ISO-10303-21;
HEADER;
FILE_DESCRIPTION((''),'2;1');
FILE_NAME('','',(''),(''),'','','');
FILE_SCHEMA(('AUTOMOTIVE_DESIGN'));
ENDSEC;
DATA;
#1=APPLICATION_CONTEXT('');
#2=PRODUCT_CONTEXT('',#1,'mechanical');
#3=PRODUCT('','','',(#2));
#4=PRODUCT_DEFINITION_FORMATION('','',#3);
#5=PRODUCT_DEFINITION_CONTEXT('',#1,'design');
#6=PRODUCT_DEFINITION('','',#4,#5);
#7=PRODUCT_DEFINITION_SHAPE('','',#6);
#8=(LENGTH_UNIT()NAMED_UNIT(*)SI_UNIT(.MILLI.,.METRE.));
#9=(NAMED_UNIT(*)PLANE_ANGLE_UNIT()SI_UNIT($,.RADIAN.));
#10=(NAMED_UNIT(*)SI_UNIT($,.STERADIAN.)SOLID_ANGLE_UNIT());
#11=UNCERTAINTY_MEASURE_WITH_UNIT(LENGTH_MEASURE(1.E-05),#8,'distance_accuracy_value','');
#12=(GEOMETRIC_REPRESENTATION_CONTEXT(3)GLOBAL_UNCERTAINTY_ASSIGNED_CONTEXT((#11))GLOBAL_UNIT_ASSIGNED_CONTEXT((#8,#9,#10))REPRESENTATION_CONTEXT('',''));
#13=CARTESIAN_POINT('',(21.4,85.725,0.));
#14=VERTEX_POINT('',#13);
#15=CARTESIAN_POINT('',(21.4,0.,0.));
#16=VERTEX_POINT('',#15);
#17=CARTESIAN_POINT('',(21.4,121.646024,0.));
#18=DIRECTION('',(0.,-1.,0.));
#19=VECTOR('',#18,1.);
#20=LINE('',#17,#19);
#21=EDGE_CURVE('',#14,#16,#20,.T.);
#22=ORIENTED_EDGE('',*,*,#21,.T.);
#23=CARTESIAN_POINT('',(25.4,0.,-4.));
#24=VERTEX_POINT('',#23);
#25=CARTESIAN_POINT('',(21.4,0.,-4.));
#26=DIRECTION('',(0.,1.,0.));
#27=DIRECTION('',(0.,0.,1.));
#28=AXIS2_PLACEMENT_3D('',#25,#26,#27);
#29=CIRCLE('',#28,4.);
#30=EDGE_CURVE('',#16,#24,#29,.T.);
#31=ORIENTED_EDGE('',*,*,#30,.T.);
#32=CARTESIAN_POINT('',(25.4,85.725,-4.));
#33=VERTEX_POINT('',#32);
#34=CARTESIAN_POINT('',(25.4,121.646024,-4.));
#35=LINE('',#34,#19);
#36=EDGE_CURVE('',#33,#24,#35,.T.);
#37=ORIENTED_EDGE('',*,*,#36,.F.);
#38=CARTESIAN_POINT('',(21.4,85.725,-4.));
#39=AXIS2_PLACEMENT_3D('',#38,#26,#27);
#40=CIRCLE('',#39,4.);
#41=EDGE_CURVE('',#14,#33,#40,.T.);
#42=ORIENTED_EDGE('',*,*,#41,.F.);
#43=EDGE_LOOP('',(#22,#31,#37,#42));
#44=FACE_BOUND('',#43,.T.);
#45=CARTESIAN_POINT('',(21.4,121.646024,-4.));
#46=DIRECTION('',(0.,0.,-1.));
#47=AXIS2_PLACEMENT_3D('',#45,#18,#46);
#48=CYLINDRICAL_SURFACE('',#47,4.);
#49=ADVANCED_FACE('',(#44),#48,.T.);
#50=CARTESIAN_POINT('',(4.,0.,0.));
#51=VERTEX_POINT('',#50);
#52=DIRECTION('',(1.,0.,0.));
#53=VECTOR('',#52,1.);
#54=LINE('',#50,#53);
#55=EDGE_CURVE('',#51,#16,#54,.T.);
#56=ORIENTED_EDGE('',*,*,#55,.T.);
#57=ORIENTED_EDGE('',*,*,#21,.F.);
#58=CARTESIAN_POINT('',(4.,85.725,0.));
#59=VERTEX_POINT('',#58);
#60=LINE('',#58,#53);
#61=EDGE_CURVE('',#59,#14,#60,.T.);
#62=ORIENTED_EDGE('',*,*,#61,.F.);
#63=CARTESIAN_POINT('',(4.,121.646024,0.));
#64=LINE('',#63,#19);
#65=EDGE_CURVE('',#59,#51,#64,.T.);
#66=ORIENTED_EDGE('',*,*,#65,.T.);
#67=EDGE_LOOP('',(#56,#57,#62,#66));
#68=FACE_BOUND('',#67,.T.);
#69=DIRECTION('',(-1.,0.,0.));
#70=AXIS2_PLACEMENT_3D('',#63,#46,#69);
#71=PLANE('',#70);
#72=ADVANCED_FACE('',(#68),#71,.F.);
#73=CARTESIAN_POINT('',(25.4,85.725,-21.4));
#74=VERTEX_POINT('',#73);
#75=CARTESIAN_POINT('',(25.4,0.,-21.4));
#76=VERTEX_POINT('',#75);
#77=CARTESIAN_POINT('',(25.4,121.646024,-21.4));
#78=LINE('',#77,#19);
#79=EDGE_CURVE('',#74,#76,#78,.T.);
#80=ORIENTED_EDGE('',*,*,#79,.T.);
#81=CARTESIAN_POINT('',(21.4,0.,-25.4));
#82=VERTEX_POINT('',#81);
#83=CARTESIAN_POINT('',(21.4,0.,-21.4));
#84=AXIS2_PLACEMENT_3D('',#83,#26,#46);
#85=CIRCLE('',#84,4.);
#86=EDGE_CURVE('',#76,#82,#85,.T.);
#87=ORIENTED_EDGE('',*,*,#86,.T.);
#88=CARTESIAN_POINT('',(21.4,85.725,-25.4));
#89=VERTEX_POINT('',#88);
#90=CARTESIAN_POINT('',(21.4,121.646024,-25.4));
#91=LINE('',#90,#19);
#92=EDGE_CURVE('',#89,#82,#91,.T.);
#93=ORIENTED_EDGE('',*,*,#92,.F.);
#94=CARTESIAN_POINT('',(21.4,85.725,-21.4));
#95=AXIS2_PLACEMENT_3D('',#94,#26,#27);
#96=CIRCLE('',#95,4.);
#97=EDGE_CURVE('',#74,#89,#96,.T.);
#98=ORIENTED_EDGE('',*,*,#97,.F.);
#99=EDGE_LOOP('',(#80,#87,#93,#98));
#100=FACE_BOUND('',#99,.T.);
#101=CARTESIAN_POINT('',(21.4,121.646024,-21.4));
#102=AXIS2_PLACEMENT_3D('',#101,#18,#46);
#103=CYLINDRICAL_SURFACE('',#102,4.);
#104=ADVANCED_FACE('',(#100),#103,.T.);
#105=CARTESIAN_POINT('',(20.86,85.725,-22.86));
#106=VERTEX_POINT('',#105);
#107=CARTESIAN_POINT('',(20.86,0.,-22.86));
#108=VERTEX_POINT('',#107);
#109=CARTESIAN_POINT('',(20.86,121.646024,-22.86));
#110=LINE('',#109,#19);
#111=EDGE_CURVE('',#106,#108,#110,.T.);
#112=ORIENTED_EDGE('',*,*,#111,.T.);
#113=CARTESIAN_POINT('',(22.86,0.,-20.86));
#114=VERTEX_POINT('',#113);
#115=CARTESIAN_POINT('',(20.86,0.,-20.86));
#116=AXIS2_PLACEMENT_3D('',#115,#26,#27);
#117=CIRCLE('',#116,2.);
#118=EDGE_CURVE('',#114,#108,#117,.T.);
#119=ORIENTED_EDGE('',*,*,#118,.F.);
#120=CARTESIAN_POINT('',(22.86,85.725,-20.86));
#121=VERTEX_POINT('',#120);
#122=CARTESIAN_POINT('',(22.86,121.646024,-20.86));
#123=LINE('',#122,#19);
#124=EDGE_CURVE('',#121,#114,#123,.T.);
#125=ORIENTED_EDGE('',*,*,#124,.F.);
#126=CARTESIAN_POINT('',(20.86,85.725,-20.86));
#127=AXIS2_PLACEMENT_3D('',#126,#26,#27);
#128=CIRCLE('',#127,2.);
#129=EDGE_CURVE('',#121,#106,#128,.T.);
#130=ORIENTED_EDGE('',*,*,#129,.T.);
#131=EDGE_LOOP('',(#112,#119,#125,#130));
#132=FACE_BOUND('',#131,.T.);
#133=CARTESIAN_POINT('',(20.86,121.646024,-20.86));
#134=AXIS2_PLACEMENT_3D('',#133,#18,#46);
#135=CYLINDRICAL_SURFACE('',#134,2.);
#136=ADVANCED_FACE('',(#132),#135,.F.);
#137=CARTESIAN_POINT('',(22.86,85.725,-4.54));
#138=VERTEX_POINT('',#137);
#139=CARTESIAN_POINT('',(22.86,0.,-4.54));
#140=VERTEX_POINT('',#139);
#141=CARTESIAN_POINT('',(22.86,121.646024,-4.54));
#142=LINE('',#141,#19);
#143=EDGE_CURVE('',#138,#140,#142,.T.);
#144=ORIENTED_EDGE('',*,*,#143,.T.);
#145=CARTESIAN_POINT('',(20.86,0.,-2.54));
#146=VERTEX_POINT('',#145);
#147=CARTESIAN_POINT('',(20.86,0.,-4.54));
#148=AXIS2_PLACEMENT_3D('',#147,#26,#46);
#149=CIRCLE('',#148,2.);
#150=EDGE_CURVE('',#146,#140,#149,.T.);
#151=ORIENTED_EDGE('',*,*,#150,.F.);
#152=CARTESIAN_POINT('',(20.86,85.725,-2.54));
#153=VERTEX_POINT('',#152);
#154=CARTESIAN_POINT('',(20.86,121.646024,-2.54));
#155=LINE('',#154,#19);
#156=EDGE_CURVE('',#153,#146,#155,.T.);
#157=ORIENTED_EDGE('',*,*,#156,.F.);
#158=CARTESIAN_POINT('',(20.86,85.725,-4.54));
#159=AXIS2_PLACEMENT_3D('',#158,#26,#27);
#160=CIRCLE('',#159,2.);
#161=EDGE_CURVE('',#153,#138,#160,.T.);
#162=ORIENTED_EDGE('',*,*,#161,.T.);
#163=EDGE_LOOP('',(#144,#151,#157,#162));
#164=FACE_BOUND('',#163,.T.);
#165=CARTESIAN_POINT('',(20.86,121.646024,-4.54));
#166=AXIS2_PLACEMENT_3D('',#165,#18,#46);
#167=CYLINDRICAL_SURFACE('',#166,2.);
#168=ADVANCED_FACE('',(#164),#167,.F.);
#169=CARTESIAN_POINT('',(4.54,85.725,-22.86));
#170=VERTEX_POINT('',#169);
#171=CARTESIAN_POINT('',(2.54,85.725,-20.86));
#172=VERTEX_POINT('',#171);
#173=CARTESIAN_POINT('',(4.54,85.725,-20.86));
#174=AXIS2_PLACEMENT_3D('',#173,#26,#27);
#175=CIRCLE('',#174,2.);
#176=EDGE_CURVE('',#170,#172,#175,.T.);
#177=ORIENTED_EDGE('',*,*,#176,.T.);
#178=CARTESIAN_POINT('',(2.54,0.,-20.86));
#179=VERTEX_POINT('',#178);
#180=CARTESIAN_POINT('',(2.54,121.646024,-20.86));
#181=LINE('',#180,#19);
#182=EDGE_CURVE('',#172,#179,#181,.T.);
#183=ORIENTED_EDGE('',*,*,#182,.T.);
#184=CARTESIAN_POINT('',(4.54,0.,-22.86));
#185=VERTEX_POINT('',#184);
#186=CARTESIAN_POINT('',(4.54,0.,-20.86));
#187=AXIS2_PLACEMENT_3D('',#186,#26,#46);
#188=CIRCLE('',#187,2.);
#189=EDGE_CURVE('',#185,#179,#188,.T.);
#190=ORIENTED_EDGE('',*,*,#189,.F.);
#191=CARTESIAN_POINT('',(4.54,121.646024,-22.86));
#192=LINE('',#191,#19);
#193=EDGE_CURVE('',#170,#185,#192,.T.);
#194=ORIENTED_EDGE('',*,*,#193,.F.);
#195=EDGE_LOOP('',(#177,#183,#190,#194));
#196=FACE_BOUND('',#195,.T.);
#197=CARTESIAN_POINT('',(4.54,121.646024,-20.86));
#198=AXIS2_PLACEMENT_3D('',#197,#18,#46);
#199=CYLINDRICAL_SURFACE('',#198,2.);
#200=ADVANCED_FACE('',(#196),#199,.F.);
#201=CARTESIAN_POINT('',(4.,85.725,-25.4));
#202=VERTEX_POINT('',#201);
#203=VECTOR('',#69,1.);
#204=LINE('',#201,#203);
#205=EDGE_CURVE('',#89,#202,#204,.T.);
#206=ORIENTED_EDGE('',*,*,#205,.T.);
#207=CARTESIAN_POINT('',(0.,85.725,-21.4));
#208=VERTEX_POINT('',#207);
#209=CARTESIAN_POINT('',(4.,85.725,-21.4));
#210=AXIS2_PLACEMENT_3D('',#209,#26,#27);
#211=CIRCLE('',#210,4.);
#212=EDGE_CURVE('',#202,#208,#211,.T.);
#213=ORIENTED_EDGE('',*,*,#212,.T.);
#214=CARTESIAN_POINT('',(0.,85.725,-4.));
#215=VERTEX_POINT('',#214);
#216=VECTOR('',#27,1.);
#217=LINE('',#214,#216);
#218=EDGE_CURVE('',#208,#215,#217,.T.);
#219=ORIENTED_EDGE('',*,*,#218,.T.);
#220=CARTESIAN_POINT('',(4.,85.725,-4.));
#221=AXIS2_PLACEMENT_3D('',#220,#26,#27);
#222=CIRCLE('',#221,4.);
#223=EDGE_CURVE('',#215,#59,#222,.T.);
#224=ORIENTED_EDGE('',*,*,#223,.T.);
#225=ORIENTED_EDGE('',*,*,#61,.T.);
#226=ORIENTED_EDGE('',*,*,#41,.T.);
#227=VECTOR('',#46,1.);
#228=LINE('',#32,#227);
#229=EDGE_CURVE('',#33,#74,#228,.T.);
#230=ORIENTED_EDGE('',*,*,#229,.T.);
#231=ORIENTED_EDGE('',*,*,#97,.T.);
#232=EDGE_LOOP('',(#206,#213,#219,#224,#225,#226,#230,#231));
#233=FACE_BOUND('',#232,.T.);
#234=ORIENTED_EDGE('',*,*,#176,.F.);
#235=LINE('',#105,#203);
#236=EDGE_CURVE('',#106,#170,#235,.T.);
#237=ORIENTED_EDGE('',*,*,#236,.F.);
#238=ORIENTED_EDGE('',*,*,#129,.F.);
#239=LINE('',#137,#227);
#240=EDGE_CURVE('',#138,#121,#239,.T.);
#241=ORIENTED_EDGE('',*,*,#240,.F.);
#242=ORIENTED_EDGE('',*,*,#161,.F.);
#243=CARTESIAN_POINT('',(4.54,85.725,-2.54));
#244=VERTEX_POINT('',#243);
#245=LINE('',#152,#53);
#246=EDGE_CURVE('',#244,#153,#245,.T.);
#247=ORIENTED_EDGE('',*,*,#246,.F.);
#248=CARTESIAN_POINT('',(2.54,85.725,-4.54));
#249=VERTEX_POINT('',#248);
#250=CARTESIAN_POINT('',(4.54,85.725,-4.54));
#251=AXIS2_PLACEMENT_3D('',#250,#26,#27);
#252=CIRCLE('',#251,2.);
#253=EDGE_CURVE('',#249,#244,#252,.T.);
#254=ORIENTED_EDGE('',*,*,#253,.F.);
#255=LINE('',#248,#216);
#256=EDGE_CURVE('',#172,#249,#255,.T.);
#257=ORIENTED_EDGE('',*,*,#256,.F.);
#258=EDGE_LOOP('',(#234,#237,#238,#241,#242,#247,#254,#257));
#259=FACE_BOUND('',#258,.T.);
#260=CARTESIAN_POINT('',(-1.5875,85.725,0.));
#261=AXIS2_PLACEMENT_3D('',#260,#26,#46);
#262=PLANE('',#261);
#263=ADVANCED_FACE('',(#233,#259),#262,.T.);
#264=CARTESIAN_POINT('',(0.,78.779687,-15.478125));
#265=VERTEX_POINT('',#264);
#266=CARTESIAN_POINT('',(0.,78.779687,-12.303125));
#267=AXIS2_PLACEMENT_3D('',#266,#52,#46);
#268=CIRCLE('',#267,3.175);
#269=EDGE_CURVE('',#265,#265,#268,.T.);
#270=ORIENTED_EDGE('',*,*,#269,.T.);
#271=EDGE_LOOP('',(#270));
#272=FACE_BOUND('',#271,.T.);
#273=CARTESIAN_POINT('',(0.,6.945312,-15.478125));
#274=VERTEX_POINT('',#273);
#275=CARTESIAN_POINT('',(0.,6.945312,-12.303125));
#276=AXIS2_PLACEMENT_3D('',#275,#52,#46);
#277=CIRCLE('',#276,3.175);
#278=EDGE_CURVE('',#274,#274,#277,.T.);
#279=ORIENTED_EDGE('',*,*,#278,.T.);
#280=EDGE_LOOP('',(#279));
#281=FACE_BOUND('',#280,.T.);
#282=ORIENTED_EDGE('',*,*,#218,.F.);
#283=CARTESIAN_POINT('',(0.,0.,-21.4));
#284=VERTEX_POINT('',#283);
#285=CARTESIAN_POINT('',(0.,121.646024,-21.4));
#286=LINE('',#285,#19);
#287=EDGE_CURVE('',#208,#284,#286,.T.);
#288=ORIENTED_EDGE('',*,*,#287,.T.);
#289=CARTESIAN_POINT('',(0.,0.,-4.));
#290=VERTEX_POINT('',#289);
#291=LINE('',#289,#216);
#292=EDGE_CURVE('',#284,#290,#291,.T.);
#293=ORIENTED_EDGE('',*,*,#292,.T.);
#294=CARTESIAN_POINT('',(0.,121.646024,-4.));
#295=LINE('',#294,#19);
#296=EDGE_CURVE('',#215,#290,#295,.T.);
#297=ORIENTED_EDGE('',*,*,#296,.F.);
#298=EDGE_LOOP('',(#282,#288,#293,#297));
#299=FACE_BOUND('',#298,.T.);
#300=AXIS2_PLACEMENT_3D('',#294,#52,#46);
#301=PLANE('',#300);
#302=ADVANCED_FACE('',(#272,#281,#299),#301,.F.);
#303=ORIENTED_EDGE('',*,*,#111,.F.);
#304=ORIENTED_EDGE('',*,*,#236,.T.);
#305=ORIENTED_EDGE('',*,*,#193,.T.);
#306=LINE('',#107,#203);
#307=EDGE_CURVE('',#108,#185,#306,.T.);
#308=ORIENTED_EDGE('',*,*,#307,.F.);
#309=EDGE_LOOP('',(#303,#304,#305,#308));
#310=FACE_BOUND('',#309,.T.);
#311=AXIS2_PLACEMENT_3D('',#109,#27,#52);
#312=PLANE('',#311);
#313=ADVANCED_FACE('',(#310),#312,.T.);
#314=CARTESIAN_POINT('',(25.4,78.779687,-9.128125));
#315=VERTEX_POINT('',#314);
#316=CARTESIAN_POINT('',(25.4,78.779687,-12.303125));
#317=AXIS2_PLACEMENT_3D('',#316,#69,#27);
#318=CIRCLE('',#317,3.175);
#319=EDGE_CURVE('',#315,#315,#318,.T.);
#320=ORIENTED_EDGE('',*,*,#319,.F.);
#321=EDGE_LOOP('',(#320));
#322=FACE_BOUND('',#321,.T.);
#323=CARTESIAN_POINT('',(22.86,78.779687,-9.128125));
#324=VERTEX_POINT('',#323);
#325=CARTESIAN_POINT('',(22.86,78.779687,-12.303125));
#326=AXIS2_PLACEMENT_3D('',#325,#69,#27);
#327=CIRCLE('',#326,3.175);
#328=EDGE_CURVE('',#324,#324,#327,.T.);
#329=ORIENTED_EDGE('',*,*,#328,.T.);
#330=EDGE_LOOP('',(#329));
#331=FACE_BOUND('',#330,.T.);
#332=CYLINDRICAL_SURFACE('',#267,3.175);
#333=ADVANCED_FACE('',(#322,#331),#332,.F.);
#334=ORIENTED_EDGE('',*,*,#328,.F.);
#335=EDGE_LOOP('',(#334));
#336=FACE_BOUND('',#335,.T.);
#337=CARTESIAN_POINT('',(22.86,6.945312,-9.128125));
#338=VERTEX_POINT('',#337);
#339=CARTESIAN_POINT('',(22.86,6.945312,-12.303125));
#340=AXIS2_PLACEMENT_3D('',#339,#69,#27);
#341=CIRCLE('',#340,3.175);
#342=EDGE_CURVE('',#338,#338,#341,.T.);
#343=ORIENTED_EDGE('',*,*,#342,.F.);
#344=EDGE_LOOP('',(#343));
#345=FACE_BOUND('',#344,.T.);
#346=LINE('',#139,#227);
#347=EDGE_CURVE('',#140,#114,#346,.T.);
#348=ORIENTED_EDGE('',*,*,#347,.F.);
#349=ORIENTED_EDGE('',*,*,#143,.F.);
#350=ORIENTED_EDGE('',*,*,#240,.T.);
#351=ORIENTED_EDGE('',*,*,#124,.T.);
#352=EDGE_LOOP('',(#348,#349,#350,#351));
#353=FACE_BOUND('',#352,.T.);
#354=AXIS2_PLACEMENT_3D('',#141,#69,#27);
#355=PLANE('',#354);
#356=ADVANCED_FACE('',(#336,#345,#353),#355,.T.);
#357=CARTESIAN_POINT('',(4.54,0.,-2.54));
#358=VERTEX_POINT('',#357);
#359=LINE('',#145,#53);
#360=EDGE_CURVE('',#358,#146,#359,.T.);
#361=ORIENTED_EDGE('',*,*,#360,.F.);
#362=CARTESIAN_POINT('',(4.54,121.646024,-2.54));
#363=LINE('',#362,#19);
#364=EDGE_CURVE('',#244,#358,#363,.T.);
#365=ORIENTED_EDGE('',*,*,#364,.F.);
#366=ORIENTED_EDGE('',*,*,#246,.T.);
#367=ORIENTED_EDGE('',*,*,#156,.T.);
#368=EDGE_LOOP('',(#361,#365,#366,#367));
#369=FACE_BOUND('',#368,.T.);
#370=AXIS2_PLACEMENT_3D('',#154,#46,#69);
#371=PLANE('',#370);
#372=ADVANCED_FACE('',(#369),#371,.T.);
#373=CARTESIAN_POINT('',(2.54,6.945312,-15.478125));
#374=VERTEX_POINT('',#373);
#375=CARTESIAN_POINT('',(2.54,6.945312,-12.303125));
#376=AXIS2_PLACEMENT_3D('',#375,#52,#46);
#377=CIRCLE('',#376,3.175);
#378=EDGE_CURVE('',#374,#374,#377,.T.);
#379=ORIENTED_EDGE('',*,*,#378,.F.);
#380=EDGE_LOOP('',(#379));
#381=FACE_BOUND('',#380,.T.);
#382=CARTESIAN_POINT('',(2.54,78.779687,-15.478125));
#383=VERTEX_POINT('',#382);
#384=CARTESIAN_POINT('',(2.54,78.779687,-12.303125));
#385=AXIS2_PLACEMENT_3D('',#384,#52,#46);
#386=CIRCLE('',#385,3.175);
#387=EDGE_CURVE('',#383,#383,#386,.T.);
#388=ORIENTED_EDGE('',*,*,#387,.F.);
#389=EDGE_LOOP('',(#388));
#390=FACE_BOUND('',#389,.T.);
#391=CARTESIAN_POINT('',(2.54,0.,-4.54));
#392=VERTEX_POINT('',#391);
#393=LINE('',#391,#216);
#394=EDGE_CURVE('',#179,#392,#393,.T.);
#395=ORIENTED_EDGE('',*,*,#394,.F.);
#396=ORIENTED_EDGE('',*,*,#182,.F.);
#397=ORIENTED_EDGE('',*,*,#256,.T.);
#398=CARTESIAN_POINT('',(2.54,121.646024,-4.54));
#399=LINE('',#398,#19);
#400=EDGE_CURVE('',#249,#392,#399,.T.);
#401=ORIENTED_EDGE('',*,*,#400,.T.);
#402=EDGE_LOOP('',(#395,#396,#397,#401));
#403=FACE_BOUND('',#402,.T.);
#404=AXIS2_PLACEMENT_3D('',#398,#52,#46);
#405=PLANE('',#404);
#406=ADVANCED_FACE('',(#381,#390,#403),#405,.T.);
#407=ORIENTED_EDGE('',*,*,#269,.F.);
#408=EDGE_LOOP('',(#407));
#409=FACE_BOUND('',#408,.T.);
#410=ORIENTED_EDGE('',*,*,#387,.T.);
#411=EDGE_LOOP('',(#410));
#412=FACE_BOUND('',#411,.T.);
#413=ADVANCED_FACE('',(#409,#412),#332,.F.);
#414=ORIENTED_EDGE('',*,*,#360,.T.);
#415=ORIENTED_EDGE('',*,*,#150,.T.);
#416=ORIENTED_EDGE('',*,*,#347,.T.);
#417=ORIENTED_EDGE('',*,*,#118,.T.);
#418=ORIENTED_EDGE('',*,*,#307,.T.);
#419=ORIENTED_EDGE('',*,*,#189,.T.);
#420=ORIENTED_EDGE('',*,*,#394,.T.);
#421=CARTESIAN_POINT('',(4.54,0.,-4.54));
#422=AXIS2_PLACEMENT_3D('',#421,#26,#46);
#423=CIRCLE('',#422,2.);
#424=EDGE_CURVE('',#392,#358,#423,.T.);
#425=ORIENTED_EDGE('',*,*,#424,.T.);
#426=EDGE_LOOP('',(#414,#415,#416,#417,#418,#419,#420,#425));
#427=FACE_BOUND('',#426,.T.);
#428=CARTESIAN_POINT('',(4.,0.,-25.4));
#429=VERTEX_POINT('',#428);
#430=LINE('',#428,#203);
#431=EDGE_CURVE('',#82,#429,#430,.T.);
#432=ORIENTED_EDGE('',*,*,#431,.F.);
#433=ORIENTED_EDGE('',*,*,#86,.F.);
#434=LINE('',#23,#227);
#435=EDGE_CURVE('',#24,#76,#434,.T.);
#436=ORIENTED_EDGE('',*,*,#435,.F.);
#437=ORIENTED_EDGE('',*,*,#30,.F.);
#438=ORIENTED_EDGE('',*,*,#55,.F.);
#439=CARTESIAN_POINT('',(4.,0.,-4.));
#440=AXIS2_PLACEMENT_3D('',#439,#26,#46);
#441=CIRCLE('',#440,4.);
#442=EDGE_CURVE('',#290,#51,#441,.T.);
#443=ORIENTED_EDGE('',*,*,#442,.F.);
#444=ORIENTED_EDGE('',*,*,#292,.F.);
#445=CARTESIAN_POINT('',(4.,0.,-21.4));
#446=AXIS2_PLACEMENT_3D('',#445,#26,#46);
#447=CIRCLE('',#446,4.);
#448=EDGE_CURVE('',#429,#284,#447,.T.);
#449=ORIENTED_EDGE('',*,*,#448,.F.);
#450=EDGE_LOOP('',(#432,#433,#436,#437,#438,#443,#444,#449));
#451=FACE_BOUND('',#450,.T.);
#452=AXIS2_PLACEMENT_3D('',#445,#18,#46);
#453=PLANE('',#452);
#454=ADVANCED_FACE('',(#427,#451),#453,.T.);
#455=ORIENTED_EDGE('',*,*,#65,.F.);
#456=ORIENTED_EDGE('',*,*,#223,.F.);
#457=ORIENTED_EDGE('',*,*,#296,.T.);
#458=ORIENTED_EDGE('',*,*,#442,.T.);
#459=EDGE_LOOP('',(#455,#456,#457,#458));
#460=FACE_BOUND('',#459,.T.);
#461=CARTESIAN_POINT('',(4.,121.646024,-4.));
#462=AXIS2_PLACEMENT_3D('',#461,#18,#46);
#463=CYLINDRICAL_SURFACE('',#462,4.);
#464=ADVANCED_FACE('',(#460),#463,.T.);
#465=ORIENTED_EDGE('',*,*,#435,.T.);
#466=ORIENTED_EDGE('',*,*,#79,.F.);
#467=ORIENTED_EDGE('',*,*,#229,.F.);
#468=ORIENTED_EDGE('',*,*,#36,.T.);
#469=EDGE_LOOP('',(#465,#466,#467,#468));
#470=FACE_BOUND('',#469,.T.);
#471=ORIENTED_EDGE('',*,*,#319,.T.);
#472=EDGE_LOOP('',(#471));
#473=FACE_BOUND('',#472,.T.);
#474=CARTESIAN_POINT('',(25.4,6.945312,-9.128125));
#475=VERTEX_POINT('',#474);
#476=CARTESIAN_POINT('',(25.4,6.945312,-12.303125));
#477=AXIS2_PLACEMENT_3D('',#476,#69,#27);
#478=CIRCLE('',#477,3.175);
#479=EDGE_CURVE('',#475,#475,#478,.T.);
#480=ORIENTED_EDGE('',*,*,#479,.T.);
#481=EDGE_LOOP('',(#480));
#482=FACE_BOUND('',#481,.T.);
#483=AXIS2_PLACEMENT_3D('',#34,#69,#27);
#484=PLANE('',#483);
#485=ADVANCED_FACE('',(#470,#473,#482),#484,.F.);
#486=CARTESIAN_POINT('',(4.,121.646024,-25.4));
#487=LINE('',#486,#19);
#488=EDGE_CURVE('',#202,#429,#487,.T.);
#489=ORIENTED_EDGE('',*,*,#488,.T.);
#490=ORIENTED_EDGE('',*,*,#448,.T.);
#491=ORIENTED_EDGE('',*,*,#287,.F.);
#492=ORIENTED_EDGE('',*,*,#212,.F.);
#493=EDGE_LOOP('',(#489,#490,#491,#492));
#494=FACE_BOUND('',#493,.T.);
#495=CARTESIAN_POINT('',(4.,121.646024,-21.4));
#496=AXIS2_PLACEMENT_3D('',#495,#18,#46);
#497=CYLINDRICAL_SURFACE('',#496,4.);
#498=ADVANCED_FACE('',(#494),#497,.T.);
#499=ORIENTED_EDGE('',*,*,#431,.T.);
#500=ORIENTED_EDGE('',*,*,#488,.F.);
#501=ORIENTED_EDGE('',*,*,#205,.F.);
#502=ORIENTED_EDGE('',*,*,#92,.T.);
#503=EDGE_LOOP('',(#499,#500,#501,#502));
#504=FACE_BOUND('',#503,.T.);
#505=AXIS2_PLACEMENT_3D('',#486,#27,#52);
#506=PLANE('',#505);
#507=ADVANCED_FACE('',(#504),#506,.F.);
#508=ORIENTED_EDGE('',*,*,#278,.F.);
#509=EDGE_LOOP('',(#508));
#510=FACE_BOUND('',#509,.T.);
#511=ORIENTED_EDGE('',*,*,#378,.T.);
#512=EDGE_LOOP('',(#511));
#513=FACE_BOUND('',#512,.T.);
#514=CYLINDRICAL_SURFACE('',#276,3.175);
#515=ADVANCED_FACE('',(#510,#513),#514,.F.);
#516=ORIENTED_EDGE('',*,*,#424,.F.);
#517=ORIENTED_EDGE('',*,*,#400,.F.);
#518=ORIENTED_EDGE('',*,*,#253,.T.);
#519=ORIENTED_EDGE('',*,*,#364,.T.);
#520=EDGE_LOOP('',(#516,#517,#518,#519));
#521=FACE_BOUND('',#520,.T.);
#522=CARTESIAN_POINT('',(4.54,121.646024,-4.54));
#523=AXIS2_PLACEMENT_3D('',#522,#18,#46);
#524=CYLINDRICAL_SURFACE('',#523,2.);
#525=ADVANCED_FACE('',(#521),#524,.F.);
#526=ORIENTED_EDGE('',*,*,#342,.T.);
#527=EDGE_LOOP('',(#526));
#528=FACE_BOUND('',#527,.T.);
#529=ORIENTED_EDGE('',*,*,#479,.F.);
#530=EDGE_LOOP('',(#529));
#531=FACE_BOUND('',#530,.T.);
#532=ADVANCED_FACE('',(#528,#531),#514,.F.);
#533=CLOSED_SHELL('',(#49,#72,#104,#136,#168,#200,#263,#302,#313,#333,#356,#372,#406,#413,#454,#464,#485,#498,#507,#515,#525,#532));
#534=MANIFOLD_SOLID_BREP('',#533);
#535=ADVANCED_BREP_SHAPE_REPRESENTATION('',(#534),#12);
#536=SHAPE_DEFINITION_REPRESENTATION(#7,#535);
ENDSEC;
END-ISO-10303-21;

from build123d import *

# Parameters (mm, degrees)
BOSS_EXTRUDE1_DEPTH     = 85.725
SKETCH2_R               = 3.175
CUT_EXTRUDE1_DEPTH      = 1
CUT_EXTRUDE1_DEPTH_BACK = 26.4


with BuildPart() as part:
    # Sketch1 → Boss-Extrude1 (new body)
    with BuildSketch(Plane(origin=(0, 0, 0), x_dir=(1, 0, 0), z_dir=(0, 1, 0))):
        with BuildLine():
            Line((4, 0), (21.4, 0))
            ThreePointArc((21.4, 0), (24.228427125, 1.171572875), (25.4, 4))
            Line((25.4, 4), (25.4, 21.4))
            ThreePointArc((25.4, 21.4), (24.228427125, 24.228427125), (21.4, 25.4))
            Line((21.4, 25.4), (4, 25.4))
            ThreePointArc((4, 25.4), (1.171572875, 24.228427125), (0, 21.4))
            Line((0, 21.4), (0, 4))
            ThreePointArc((0, 4), (1.171572875, 1.171572875), (4, 0))
        make_face()
        with BuildLine():
            Line((20.86, 2.54), (4.54, 2.54))
            ThreePointArc((4.54, 2.54), (3.125786438, 3.125786438), (2.54, 4.54))
            Line((2.54, 4.54), (2.54, 20.86))
            ThreePointArc((2.54, 20.86), (3.125786438, 22.274213562), (4.54, 22.86))
            Line((4.54, 22.86), (20.86, 22.86))
            ThreePointArc((20.86, 22.86), (22.274213562, 22.274213562), (22.86, 20.86))
            Line((22.86, 20.86), (22.86, 4.54))
            ThreePointArc((22.86, 4.54), (22.274213562, 3.125786438), (20.86, 2.54))
        make_face(mode=Mode.SUBTRACT)
    extrude(amount=BOSS_EXTRUDE1_DEPTH)

    # Sketch2 → Cut-Extrude1 (cut, two sides)
    with BuildSketch(Plane(origin=(25.4, 0, 0), x_dir=(0, 0, -1), z_dir=(1, 0, 0))) as cut_extrude1_sk:
        with Locations((12.303125, 6.9453125)):
            Circle(SKETCH2_R)
        with Locations((12.303125, 78.7796875)):
            Circle(SKETCH2_R)
    extrude(amount=CUT_EXTRUDE1_DEPTH, mode=Mode.SUBTRACT)
    extrude(cut_extrude1_sk.sketch, amount=-CUT_EXTRUDE1_DEPTH_BACK, mode=Mode.SUBTRACT)


solid = part.part
